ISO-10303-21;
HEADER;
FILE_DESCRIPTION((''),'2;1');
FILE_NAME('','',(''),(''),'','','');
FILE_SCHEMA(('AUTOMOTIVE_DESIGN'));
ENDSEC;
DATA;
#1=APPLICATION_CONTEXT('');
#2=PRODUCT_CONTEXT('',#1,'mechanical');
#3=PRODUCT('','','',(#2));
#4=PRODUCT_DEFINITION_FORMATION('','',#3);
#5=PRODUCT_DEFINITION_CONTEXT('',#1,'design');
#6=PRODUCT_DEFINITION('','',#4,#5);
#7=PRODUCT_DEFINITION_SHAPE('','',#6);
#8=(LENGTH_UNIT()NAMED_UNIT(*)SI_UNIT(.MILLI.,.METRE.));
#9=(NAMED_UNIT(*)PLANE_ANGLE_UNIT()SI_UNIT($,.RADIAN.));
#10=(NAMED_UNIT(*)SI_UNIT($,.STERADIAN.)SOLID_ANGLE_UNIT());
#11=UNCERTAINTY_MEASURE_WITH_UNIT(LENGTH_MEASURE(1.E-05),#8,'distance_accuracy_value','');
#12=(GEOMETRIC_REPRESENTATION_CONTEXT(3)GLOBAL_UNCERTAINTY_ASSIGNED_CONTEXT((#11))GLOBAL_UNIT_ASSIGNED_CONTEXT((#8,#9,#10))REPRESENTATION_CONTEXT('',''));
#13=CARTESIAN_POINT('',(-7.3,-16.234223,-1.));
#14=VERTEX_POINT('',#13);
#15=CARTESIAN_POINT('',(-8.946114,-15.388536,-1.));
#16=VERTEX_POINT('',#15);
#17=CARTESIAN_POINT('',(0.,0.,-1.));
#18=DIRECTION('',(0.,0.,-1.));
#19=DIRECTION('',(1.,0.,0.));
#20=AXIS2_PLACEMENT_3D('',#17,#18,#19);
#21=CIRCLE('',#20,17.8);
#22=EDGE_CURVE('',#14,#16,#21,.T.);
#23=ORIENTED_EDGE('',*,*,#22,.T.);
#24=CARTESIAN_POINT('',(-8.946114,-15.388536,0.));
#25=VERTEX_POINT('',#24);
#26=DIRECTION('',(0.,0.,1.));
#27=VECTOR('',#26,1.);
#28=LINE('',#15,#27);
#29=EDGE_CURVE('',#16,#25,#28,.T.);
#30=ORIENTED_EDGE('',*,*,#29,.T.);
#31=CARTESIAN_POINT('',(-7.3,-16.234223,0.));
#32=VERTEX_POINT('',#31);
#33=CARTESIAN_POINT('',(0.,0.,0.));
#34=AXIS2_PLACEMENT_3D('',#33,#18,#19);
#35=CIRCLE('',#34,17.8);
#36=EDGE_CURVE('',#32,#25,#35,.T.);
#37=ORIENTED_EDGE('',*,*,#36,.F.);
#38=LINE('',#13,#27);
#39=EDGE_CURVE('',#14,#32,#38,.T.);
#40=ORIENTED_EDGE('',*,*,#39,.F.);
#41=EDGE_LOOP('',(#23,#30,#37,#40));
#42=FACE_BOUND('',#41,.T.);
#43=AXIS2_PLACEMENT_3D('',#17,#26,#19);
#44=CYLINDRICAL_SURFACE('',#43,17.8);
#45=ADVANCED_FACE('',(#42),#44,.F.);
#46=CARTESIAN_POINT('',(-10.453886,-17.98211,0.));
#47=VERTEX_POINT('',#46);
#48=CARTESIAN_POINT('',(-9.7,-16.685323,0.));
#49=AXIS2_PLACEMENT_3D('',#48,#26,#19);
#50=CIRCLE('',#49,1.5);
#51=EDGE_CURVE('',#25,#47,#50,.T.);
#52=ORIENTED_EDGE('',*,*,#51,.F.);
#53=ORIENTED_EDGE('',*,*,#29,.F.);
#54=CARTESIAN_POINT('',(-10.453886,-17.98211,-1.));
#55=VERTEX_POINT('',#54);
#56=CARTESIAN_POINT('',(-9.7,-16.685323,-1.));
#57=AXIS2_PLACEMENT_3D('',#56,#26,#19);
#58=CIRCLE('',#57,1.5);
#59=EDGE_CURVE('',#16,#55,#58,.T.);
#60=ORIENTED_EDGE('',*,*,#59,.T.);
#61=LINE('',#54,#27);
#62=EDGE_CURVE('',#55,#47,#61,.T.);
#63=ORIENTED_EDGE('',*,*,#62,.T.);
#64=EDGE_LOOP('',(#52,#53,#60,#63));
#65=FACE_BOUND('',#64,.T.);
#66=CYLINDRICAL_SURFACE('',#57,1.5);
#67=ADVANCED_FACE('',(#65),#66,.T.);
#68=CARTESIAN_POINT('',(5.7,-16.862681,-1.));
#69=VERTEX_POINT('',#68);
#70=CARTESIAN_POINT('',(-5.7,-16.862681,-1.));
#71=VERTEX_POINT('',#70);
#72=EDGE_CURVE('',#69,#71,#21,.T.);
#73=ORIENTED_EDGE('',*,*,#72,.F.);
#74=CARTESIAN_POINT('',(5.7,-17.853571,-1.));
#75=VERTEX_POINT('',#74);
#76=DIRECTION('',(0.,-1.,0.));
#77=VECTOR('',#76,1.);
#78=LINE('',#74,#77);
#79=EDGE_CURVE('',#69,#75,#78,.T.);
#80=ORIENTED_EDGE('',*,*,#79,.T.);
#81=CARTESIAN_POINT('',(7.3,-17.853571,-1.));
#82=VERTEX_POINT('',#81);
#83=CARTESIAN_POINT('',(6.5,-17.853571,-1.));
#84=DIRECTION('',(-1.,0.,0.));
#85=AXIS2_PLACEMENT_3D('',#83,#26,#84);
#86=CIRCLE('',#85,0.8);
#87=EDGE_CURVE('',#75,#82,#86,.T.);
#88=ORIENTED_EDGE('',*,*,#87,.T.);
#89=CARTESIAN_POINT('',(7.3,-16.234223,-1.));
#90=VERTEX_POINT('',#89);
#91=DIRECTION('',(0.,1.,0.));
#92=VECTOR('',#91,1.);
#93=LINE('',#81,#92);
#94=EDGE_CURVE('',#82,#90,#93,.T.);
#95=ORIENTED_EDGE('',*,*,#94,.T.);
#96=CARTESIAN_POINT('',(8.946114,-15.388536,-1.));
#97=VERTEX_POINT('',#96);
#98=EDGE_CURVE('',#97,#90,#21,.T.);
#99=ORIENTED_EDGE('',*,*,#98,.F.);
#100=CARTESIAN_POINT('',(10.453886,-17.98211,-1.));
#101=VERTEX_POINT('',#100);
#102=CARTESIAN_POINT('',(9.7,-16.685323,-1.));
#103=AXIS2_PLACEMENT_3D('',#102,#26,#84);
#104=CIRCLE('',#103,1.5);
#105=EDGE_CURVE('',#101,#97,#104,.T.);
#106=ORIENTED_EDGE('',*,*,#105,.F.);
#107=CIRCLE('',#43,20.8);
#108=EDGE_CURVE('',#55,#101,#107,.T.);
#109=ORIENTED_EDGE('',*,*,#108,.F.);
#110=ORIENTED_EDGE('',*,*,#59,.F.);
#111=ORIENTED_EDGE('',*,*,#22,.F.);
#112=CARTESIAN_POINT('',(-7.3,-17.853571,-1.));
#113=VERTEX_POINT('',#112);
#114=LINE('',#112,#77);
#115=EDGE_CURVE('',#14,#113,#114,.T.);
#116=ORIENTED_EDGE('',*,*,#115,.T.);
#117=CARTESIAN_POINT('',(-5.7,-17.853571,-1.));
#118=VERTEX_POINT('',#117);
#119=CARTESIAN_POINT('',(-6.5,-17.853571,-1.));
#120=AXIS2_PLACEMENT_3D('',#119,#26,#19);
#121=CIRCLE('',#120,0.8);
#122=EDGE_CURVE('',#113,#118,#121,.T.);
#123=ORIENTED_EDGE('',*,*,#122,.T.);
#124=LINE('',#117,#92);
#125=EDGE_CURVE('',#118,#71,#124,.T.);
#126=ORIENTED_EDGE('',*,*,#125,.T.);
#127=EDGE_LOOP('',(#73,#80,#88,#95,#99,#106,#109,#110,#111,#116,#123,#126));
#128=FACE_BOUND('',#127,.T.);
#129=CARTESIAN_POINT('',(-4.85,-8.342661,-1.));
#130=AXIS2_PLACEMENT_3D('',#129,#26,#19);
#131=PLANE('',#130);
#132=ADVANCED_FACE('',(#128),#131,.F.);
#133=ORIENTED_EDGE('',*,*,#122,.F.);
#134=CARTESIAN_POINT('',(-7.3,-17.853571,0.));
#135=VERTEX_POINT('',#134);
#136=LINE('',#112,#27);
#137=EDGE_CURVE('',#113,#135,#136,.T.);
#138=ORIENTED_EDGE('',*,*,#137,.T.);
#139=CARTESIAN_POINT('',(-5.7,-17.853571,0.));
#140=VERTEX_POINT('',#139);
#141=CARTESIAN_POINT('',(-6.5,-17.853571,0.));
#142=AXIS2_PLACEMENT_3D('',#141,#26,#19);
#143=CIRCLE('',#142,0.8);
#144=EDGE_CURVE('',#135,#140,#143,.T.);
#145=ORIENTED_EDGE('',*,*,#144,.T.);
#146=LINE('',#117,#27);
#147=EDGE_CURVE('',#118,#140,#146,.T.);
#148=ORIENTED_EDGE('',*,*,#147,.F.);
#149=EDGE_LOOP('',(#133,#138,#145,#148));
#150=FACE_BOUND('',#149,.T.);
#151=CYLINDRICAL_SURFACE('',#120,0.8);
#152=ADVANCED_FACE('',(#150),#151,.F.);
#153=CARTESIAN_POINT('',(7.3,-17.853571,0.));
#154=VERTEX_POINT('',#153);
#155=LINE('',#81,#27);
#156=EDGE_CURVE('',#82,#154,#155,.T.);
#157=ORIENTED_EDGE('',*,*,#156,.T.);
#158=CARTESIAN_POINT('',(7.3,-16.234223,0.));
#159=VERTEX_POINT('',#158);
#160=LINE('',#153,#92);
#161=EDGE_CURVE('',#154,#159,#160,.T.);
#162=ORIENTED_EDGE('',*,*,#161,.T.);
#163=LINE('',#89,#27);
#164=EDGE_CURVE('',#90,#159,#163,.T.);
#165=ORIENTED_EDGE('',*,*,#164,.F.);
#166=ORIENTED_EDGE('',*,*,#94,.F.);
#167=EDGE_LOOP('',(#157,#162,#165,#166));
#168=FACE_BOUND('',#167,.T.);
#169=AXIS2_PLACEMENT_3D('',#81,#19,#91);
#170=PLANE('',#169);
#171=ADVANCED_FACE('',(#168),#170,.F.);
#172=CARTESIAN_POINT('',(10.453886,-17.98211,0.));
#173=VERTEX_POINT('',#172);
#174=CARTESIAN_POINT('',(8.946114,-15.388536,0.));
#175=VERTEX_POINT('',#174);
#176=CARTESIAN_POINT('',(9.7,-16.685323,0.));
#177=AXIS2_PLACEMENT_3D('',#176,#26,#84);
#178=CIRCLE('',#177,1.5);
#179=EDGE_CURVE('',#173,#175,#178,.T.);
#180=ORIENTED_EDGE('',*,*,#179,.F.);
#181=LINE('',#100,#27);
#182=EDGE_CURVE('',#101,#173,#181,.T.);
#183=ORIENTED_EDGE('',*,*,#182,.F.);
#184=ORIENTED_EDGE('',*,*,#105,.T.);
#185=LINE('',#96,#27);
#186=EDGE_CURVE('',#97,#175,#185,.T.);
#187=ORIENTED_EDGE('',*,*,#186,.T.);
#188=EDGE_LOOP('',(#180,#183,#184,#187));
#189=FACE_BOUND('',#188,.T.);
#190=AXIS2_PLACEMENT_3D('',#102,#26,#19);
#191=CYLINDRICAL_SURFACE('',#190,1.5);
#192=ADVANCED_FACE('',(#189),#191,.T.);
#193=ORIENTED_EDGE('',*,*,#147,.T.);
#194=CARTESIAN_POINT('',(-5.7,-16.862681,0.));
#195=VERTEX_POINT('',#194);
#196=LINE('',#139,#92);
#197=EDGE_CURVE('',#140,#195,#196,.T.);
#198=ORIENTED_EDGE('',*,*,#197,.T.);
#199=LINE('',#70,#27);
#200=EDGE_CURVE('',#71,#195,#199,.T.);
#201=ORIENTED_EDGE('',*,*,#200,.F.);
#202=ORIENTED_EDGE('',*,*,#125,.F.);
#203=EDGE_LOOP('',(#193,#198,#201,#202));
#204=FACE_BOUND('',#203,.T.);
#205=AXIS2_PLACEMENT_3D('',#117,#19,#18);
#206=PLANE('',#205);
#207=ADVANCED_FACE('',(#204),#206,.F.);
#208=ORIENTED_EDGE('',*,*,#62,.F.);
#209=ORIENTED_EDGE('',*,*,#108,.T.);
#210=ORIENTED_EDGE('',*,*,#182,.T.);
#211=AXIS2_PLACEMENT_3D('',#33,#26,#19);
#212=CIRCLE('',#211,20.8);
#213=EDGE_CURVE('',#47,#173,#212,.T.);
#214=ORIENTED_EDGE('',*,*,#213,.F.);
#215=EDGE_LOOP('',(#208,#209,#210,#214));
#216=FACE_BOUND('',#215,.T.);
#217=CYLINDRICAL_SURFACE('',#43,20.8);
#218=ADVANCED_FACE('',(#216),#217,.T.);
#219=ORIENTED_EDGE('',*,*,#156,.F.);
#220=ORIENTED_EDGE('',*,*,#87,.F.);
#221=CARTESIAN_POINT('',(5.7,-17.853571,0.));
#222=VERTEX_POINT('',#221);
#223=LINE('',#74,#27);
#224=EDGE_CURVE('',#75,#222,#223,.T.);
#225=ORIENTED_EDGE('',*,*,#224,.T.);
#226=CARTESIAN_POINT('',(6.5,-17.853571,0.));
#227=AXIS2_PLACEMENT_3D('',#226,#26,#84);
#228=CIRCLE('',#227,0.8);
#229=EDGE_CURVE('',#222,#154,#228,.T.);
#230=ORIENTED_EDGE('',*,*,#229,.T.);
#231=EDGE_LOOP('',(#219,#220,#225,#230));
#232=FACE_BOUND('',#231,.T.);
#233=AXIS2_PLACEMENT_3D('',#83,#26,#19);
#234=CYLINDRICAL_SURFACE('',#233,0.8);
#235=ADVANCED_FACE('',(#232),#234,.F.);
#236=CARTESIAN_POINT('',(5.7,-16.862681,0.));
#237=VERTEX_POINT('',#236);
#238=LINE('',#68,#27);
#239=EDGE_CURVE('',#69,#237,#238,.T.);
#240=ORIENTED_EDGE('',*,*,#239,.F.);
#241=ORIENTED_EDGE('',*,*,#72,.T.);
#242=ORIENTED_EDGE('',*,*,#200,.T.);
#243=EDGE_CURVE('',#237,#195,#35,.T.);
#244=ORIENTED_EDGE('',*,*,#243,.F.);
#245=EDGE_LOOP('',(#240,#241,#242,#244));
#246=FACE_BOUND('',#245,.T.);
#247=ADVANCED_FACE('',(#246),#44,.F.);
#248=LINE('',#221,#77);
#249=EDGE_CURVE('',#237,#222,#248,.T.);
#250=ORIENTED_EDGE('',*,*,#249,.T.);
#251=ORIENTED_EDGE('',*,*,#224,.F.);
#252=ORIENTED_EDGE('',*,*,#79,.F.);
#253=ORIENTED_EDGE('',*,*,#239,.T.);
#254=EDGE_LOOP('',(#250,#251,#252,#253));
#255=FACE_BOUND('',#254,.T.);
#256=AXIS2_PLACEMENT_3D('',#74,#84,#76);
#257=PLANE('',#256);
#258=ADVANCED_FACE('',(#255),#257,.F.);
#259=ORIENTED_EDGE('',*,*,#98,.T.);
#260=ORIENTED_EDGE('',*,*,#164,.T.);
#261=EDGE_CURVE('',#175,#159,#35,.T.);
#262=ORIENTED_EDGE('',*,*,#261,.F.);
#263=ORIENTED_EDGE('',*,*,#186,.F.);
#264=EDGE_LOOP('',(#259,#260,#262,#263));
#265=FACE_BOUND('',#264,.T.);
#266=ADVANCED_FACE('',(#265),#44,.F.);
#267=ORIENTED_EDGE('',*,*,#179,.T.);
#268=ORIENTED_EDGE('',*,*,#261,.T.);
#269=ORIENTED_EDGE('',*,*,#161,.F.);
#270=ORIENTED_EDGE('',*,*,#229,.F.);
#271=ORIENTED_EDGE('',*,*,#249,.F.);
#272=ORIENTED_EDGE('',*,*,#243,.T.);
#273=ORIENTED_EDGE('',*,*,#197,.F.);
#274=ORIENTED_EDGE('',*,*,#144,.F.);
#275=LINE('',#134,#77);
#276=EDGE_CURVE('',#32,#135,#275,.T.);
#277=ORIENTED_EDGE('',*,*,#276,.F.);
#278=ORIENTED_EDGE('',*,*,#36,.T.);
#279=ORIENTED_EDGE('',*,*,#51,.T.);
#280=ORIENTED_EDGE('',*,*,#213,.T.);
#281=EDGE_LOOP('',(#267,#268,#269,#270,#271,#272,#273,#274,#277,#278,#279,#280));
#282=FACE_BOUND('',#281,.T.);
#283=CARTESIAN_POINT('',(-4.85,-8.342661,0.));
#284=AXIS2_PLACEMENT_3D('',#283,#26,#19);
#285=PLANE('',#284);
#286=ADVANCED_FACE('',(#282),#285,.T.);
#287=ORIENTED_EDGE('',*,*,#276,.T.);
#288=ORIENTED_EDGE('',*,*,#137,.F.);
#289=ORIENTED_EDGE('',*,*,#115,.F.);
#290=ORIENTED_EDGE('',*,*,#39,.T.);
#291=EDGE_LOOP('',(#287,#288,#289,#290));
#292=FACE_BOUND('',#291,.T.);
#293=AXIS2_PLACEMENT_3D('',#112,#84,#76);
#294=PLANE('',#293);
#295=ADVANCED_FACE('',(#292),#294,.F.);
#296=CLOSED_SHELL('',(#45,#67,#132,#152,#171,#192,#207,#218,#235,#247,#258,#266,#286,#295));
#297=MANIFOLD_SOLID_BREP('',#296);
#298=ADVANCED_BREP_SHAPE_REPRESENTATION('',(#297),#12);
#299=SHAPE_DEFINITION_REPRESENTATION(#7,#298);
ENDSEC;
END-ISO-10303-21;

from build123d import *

# Parameters (mm, degrees)
BOSS_EXTRUDE1_DEPTH = 1
CUT_EXTRUDE1_DEPTH  = 2


with BuildPart() as part:
    # Sketch1 → Boss-Extrude1 (new body)
    with BuildSketch(Plane.XY):
        with BuildLine():
            ThreePointArc((-10.45388601, -17.982109645), (0, -20.8), (10.45388601, -17.982109645))
            ThreePointArc((10.45388601, -17.982109645), (10.996786753, -15.931436881), (8.94611399, -15.388536138))
            ThreePointArc((8.94611399, -15.388536138), (0, -17.8), (-8.94611399, -15.388536138))
            ThreePointArc((-8.94611399, -15.388536138), (-10.996786753, -15.931436881), (-10.45388601, -17.982109645))
        make_face()
    extrude(amount=-BOSS_EXTRUDE1_DEPTH)

    # Sketch2 → Cut-Extrude1 (cut, through all)
    with BuildSketch(Plane.XY):
        with BuildLine():
            Line((-7.3, -17.853571071), (-7.3, -16.23422311))
            ThreePointArc((-7.3, -16.23422311), (-6.507590932, -16.567777771), (-5.7, -16.862680688))
            Line((-5.7, -16.862680688), (-5.7, -17.853571071))
            ThreePointArc((-5.7, -17.853571071), (-6.5, -18.653571071), (-7.3, -17.853571071))
        make_face()
        with BuildLine():
            Line((5.7, -17.853571071), (5.7, -16.862680688))
            ThreePointArc((5.7, -16.862680688), (6.507590932, -16.567777771), (7.3, -16.23422311))
            Line((7.3, -16.23422311), (7.3, -17.853571071))
            ThreePointArc((7.3, -17.853571071), (6.5, -18.653571071), (5.7, -17.853571071))
        make_face()
    extrude(amount=-CUT_EXTRUDE1_DEPTH, mode=Mode.SUBTRACT)


solid = part.part
